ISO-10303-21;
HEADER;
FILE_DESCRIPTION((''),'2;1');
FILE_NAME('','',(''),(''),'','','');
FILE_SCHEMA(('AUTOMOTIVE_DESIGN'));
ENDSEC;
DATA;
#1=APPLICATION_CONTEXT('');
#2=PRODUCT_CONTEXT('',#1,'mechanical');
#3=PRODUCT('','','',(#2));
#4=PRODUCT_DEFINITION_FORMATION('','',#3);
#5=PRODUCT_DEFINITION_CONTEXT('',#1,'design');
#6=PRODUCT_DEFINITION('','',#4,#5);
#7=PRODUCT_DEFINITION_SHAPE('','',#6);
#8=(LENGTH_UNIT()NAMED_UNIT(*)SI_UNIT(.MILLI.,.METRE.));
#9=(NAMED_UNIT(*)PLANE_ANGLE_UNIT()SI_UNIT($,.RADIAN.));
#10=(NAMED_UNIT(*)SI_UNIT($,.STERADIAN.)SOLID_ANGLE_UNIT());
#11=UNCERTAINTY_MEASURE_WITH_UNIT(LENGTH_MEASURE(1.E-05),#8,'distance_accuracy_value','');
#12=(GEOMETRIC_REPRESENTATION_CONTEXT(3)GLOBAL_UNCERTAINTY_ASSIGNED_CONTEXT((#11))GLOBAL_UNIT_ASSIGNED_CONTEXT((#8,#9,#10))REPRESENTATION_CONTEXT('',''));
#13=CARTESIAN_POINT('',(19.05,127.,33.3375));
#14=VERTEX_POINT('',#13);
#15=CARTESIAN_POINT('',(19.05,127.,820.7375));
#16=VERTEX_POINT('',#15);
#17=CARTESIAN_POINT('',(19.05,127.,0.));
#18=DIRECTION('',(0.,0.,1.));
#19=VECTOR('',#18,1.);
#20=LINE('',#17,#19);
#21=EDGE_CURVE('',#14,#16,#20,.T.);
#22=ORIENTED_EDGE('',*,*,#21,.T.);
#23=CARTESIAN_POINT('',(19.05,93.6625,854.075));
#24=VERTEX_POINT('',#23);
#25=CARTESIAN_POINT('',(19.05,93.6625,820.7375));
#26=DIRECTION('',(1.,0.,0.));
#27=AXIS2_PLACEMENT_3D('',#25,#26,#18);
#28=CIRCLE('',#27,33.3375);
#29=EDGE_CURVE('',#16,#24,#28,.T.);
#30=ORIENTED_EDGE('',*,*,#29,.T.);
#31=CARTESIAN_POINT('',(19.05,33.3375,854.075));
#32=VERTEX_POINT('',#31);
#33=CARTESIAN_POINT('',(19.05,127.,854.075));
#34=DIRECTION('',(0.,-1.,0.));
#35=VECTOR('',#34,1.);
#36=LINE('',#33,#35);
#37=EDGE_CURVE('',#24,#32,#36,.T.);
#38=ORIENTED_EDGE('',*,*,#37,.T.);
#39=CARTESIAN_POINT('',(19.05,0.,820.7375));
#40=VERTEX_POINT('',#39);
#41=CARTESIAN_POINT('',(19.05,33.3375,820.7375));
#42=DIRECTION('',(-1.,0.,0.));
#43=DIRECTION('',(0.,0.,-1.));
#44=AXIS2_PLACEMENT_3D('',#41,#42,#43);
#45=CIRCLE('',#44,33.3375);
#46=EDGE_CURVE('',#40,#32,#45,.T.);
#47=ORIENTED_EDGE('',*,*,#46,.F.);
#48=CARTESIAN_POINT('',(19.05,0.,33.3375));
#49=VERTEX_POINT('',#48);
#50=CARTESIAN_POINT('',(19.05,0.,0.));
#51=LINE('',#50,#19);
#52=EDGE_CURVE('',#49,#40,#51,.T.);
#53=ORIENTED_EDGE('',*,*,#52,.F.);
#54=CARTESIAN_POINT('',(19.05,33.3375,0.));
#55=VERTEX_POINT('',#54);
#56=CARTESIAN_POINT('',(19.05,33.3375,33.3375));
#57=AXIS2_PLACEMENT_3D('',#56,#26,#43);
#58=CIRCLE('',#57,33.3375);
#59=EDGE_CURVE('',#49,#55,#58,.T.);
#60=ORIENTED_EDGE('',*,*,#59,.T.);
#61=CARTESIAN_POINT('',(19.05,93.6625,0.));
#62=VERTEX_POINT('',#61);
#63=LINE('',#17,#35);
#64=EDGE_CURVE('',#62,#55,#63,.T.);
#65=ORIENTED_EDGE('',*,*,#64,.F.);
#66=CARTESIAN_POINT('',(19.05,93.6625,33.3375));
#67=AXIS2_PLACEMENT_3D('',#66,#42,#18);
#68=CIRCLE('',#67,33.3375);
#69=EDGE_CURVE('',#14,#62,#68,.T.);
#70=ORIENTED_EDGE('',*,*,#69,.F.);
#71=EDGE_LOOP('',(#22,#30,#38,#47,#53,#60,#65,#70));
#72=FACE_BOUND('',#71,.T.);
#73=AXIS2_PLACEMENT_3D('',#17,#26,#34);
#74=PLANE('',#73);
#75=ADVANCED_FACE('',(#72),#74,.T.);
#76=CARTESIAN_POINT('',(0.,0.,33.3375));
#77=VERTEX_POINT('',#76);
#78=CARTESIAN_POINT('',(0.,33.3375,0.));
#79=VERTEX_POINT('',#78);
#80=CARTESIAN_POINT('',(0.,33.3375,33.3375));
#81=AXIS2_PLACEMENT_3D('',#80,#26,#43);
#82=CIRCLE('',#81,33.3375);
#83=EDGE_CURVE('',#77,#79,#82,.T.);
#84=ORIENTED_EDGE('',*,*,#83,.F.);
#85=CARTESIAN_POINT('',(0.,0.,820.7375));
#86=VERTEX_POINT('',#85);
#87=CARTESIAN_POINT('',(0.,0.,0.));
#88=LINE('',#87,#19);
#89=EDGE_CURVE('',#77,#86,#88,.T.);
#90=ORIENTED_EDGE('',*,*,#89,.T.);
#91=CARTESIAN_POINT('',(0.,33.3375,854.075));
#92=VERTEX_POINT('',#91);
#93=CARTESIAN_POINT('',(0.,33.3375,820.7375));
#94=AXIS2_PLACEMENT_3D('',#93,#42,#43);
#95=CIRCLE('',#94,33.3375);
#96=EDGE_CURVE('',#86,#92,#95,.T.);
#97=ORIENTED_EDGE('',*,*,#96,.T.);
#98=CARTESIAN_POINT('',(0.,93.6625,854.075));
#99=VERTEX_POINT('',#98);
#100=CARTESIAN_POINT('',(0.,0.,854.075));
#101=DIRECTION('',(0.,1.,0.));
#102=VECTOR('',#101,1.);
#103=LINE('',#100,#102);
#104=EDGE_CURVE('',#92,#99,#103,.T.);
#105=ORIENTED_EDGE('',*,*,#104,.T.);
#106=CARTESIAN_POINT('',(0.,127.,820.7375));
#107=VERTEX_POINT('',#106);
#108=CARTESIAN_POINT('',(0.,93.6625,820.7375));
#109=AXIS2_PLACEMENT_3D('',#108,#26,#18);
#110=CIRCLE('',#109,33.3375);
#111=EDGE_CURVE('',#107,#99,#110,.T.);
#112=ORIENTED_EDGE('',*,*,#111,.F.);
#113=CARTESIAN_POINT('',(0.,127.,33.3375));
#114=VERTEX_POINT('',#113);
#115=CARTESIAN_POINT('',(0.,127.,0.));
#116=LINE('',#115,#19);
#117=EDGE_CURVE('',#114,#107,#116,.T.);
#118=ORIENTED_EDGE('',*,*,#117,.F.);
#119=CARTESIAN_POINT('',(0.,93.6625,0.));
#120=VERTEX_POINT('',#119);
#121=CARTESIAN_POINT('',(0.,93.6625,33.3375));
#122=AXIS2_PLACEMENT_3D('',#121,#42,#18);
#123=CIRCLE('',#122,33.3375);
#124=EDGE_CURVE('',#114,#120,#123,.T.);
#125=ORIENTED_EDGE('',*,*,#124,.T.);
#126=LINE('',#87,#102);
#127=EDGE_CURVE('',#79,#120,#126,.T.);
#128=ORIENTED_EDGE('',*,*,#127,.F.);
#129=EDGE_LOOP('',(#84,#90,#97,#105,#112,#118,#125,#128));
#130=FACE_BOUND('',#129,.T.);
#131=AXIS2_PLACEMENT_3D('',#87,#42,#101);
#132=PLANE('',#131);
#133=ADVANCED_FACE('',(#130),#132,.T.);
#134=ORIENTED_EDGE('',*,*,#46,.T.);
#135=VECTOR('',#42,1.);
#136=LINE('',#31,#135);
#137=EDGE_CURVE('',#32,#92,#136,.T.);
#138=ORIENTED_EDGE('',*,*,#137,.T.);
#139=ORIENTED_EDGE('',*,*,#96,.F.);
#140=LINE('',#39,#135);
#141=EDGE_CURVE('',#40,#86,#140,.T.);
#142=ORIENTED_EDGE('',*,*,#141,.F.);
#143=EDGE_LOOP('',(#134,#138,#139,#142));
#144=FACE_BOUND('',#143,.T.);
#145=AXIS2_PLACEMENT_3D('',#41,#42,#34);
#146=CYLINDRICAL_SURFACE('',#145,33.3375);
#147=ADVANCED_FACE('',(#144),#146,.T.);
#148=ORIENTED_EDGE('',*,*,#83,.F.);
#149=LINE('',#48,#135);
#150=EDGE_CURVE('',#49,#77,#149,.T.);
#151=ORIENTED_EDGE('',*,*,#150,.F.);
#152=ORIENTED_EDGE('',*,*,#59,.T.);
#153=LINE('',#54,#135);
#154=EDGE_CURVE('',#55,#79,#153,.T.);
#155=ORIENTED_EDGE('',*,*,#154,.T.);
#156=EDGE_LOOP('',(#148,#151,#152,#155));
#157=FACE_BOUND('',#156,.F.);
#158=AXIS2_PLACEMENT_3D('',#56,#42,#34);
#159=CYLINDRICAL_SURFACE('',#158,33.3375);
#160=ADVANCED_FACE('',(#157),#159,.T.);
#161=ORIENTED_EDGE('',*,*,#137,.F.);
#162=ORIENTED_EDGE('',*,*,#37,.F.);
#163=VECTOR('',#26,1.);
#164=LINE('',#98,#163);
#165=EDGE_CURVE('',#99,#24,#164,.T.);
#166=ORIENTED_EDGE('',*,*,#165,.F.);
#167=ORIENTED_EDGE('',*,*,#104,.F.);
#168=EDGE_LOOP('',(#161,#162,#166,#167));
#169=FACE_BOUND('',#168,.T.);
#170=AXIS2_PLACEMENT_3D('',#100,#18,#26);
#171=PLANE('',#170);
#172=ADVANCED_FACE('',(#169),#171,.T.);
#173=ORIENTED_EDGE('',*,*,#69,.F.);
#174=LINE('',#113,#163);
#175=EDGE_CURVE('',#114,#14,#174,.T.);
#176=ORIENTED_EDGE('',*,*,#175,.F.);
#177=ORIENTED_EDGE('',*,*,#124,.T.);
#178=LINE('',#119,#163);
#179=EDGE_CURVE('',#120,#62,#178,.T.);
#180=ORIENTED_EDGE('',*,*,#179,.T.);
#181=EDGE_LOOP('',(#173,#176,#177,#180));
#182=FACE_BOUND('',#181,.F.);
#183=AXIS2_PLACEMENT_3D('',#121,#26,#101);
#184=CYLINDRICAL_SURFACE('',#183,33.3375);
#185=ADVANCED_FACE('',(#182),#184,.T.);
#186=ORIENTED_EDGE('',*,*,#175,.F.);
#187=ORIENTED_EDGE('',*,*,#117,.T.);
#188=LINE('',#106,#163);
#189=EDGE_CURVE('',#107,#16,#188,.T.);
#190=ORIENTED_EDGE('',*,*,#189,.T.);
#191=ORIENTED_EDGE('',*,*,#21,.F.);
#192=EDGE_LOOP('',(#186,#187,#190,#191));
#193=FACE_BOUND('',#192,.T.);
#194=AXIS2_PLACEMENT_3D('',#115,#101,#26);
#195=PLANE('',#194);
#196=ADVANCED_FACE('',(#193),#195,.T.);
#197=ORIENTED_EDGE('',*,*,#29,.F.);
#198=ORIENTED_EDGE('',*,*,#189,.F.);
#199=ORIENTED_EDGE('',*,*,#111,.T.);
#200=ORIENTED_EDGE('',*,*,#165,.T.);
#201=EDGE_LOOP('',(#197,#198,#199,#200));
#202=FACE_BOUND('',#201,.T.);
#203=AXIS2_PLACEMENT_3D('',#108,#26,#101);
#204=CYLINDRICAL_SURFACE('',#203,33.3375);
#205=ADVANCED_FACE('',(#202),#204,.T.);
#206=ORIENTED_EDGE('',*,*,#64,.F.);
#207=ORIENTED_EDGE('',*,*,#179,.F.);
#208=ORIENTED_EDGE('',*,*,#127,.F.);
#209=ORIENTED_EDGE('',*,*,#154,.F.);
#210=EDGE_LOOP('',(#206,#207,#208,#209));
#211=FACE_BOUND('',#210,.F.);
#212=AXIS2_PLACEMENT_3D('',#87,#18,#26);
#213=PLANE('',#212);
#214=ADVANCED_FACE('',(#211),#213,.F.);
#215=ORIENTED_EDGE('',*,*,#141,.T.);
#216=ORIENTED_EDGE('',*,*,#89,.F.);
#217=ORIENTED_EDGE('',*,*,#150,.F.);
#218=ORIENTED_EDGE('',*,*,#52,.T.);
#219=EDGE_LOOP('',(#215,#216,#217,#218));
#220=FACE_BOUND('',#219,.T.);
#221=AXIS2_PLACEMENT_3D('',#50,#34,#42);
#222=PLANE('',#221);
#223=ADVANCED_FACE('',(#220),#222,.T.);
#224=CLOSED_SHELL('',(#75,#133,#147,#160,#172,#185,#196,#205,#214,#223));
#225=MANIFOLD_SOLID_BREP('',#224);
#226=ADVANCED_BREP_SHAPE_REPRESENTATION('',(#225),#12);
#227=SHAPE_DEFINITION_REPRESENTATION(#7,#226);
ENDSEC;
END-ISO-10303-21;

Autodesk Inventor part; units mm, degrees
ref_plane "YZ Plane" through (0, 0, 0) normal (1, 0, 0) x (0, 1, 0)
ref_plane "XZ Plane" through (0, 0, 0) normal (0, 1, 0) x (-1, 0, 0)
ref_plane "XY Plane" through (0, 0, 0) normal (0, 0, 1) x (1, 0, 0)
sketch "Sketch1" plane through (0, 0, 0) normal (0, 0, 1) x (1, 0, 0)
  line L0 (0, 0) -> (0, 127)
  line L1 (0, 127) -> (19.05, 127)
  line L2 (19.05, 127) -> (19.05, 0)
  line L3 (19.05, 0) -> (0, 0)
  dimension "d0" = 127
  dimension "d1" = 19.05
extrude "Extrusion1" add sketch "Sketch1" along normal blind 854.075
fillet "Fillet1" radius 33.3375 4 edges at (9.525, 127, 854.075) (9.525, 0, 854.075) (9.525, 127, 0) (9.525, 0, 0)
properties part number "Bumper Wood Backing Part2 (26x28 robot)" material "Wood (Birch)"
